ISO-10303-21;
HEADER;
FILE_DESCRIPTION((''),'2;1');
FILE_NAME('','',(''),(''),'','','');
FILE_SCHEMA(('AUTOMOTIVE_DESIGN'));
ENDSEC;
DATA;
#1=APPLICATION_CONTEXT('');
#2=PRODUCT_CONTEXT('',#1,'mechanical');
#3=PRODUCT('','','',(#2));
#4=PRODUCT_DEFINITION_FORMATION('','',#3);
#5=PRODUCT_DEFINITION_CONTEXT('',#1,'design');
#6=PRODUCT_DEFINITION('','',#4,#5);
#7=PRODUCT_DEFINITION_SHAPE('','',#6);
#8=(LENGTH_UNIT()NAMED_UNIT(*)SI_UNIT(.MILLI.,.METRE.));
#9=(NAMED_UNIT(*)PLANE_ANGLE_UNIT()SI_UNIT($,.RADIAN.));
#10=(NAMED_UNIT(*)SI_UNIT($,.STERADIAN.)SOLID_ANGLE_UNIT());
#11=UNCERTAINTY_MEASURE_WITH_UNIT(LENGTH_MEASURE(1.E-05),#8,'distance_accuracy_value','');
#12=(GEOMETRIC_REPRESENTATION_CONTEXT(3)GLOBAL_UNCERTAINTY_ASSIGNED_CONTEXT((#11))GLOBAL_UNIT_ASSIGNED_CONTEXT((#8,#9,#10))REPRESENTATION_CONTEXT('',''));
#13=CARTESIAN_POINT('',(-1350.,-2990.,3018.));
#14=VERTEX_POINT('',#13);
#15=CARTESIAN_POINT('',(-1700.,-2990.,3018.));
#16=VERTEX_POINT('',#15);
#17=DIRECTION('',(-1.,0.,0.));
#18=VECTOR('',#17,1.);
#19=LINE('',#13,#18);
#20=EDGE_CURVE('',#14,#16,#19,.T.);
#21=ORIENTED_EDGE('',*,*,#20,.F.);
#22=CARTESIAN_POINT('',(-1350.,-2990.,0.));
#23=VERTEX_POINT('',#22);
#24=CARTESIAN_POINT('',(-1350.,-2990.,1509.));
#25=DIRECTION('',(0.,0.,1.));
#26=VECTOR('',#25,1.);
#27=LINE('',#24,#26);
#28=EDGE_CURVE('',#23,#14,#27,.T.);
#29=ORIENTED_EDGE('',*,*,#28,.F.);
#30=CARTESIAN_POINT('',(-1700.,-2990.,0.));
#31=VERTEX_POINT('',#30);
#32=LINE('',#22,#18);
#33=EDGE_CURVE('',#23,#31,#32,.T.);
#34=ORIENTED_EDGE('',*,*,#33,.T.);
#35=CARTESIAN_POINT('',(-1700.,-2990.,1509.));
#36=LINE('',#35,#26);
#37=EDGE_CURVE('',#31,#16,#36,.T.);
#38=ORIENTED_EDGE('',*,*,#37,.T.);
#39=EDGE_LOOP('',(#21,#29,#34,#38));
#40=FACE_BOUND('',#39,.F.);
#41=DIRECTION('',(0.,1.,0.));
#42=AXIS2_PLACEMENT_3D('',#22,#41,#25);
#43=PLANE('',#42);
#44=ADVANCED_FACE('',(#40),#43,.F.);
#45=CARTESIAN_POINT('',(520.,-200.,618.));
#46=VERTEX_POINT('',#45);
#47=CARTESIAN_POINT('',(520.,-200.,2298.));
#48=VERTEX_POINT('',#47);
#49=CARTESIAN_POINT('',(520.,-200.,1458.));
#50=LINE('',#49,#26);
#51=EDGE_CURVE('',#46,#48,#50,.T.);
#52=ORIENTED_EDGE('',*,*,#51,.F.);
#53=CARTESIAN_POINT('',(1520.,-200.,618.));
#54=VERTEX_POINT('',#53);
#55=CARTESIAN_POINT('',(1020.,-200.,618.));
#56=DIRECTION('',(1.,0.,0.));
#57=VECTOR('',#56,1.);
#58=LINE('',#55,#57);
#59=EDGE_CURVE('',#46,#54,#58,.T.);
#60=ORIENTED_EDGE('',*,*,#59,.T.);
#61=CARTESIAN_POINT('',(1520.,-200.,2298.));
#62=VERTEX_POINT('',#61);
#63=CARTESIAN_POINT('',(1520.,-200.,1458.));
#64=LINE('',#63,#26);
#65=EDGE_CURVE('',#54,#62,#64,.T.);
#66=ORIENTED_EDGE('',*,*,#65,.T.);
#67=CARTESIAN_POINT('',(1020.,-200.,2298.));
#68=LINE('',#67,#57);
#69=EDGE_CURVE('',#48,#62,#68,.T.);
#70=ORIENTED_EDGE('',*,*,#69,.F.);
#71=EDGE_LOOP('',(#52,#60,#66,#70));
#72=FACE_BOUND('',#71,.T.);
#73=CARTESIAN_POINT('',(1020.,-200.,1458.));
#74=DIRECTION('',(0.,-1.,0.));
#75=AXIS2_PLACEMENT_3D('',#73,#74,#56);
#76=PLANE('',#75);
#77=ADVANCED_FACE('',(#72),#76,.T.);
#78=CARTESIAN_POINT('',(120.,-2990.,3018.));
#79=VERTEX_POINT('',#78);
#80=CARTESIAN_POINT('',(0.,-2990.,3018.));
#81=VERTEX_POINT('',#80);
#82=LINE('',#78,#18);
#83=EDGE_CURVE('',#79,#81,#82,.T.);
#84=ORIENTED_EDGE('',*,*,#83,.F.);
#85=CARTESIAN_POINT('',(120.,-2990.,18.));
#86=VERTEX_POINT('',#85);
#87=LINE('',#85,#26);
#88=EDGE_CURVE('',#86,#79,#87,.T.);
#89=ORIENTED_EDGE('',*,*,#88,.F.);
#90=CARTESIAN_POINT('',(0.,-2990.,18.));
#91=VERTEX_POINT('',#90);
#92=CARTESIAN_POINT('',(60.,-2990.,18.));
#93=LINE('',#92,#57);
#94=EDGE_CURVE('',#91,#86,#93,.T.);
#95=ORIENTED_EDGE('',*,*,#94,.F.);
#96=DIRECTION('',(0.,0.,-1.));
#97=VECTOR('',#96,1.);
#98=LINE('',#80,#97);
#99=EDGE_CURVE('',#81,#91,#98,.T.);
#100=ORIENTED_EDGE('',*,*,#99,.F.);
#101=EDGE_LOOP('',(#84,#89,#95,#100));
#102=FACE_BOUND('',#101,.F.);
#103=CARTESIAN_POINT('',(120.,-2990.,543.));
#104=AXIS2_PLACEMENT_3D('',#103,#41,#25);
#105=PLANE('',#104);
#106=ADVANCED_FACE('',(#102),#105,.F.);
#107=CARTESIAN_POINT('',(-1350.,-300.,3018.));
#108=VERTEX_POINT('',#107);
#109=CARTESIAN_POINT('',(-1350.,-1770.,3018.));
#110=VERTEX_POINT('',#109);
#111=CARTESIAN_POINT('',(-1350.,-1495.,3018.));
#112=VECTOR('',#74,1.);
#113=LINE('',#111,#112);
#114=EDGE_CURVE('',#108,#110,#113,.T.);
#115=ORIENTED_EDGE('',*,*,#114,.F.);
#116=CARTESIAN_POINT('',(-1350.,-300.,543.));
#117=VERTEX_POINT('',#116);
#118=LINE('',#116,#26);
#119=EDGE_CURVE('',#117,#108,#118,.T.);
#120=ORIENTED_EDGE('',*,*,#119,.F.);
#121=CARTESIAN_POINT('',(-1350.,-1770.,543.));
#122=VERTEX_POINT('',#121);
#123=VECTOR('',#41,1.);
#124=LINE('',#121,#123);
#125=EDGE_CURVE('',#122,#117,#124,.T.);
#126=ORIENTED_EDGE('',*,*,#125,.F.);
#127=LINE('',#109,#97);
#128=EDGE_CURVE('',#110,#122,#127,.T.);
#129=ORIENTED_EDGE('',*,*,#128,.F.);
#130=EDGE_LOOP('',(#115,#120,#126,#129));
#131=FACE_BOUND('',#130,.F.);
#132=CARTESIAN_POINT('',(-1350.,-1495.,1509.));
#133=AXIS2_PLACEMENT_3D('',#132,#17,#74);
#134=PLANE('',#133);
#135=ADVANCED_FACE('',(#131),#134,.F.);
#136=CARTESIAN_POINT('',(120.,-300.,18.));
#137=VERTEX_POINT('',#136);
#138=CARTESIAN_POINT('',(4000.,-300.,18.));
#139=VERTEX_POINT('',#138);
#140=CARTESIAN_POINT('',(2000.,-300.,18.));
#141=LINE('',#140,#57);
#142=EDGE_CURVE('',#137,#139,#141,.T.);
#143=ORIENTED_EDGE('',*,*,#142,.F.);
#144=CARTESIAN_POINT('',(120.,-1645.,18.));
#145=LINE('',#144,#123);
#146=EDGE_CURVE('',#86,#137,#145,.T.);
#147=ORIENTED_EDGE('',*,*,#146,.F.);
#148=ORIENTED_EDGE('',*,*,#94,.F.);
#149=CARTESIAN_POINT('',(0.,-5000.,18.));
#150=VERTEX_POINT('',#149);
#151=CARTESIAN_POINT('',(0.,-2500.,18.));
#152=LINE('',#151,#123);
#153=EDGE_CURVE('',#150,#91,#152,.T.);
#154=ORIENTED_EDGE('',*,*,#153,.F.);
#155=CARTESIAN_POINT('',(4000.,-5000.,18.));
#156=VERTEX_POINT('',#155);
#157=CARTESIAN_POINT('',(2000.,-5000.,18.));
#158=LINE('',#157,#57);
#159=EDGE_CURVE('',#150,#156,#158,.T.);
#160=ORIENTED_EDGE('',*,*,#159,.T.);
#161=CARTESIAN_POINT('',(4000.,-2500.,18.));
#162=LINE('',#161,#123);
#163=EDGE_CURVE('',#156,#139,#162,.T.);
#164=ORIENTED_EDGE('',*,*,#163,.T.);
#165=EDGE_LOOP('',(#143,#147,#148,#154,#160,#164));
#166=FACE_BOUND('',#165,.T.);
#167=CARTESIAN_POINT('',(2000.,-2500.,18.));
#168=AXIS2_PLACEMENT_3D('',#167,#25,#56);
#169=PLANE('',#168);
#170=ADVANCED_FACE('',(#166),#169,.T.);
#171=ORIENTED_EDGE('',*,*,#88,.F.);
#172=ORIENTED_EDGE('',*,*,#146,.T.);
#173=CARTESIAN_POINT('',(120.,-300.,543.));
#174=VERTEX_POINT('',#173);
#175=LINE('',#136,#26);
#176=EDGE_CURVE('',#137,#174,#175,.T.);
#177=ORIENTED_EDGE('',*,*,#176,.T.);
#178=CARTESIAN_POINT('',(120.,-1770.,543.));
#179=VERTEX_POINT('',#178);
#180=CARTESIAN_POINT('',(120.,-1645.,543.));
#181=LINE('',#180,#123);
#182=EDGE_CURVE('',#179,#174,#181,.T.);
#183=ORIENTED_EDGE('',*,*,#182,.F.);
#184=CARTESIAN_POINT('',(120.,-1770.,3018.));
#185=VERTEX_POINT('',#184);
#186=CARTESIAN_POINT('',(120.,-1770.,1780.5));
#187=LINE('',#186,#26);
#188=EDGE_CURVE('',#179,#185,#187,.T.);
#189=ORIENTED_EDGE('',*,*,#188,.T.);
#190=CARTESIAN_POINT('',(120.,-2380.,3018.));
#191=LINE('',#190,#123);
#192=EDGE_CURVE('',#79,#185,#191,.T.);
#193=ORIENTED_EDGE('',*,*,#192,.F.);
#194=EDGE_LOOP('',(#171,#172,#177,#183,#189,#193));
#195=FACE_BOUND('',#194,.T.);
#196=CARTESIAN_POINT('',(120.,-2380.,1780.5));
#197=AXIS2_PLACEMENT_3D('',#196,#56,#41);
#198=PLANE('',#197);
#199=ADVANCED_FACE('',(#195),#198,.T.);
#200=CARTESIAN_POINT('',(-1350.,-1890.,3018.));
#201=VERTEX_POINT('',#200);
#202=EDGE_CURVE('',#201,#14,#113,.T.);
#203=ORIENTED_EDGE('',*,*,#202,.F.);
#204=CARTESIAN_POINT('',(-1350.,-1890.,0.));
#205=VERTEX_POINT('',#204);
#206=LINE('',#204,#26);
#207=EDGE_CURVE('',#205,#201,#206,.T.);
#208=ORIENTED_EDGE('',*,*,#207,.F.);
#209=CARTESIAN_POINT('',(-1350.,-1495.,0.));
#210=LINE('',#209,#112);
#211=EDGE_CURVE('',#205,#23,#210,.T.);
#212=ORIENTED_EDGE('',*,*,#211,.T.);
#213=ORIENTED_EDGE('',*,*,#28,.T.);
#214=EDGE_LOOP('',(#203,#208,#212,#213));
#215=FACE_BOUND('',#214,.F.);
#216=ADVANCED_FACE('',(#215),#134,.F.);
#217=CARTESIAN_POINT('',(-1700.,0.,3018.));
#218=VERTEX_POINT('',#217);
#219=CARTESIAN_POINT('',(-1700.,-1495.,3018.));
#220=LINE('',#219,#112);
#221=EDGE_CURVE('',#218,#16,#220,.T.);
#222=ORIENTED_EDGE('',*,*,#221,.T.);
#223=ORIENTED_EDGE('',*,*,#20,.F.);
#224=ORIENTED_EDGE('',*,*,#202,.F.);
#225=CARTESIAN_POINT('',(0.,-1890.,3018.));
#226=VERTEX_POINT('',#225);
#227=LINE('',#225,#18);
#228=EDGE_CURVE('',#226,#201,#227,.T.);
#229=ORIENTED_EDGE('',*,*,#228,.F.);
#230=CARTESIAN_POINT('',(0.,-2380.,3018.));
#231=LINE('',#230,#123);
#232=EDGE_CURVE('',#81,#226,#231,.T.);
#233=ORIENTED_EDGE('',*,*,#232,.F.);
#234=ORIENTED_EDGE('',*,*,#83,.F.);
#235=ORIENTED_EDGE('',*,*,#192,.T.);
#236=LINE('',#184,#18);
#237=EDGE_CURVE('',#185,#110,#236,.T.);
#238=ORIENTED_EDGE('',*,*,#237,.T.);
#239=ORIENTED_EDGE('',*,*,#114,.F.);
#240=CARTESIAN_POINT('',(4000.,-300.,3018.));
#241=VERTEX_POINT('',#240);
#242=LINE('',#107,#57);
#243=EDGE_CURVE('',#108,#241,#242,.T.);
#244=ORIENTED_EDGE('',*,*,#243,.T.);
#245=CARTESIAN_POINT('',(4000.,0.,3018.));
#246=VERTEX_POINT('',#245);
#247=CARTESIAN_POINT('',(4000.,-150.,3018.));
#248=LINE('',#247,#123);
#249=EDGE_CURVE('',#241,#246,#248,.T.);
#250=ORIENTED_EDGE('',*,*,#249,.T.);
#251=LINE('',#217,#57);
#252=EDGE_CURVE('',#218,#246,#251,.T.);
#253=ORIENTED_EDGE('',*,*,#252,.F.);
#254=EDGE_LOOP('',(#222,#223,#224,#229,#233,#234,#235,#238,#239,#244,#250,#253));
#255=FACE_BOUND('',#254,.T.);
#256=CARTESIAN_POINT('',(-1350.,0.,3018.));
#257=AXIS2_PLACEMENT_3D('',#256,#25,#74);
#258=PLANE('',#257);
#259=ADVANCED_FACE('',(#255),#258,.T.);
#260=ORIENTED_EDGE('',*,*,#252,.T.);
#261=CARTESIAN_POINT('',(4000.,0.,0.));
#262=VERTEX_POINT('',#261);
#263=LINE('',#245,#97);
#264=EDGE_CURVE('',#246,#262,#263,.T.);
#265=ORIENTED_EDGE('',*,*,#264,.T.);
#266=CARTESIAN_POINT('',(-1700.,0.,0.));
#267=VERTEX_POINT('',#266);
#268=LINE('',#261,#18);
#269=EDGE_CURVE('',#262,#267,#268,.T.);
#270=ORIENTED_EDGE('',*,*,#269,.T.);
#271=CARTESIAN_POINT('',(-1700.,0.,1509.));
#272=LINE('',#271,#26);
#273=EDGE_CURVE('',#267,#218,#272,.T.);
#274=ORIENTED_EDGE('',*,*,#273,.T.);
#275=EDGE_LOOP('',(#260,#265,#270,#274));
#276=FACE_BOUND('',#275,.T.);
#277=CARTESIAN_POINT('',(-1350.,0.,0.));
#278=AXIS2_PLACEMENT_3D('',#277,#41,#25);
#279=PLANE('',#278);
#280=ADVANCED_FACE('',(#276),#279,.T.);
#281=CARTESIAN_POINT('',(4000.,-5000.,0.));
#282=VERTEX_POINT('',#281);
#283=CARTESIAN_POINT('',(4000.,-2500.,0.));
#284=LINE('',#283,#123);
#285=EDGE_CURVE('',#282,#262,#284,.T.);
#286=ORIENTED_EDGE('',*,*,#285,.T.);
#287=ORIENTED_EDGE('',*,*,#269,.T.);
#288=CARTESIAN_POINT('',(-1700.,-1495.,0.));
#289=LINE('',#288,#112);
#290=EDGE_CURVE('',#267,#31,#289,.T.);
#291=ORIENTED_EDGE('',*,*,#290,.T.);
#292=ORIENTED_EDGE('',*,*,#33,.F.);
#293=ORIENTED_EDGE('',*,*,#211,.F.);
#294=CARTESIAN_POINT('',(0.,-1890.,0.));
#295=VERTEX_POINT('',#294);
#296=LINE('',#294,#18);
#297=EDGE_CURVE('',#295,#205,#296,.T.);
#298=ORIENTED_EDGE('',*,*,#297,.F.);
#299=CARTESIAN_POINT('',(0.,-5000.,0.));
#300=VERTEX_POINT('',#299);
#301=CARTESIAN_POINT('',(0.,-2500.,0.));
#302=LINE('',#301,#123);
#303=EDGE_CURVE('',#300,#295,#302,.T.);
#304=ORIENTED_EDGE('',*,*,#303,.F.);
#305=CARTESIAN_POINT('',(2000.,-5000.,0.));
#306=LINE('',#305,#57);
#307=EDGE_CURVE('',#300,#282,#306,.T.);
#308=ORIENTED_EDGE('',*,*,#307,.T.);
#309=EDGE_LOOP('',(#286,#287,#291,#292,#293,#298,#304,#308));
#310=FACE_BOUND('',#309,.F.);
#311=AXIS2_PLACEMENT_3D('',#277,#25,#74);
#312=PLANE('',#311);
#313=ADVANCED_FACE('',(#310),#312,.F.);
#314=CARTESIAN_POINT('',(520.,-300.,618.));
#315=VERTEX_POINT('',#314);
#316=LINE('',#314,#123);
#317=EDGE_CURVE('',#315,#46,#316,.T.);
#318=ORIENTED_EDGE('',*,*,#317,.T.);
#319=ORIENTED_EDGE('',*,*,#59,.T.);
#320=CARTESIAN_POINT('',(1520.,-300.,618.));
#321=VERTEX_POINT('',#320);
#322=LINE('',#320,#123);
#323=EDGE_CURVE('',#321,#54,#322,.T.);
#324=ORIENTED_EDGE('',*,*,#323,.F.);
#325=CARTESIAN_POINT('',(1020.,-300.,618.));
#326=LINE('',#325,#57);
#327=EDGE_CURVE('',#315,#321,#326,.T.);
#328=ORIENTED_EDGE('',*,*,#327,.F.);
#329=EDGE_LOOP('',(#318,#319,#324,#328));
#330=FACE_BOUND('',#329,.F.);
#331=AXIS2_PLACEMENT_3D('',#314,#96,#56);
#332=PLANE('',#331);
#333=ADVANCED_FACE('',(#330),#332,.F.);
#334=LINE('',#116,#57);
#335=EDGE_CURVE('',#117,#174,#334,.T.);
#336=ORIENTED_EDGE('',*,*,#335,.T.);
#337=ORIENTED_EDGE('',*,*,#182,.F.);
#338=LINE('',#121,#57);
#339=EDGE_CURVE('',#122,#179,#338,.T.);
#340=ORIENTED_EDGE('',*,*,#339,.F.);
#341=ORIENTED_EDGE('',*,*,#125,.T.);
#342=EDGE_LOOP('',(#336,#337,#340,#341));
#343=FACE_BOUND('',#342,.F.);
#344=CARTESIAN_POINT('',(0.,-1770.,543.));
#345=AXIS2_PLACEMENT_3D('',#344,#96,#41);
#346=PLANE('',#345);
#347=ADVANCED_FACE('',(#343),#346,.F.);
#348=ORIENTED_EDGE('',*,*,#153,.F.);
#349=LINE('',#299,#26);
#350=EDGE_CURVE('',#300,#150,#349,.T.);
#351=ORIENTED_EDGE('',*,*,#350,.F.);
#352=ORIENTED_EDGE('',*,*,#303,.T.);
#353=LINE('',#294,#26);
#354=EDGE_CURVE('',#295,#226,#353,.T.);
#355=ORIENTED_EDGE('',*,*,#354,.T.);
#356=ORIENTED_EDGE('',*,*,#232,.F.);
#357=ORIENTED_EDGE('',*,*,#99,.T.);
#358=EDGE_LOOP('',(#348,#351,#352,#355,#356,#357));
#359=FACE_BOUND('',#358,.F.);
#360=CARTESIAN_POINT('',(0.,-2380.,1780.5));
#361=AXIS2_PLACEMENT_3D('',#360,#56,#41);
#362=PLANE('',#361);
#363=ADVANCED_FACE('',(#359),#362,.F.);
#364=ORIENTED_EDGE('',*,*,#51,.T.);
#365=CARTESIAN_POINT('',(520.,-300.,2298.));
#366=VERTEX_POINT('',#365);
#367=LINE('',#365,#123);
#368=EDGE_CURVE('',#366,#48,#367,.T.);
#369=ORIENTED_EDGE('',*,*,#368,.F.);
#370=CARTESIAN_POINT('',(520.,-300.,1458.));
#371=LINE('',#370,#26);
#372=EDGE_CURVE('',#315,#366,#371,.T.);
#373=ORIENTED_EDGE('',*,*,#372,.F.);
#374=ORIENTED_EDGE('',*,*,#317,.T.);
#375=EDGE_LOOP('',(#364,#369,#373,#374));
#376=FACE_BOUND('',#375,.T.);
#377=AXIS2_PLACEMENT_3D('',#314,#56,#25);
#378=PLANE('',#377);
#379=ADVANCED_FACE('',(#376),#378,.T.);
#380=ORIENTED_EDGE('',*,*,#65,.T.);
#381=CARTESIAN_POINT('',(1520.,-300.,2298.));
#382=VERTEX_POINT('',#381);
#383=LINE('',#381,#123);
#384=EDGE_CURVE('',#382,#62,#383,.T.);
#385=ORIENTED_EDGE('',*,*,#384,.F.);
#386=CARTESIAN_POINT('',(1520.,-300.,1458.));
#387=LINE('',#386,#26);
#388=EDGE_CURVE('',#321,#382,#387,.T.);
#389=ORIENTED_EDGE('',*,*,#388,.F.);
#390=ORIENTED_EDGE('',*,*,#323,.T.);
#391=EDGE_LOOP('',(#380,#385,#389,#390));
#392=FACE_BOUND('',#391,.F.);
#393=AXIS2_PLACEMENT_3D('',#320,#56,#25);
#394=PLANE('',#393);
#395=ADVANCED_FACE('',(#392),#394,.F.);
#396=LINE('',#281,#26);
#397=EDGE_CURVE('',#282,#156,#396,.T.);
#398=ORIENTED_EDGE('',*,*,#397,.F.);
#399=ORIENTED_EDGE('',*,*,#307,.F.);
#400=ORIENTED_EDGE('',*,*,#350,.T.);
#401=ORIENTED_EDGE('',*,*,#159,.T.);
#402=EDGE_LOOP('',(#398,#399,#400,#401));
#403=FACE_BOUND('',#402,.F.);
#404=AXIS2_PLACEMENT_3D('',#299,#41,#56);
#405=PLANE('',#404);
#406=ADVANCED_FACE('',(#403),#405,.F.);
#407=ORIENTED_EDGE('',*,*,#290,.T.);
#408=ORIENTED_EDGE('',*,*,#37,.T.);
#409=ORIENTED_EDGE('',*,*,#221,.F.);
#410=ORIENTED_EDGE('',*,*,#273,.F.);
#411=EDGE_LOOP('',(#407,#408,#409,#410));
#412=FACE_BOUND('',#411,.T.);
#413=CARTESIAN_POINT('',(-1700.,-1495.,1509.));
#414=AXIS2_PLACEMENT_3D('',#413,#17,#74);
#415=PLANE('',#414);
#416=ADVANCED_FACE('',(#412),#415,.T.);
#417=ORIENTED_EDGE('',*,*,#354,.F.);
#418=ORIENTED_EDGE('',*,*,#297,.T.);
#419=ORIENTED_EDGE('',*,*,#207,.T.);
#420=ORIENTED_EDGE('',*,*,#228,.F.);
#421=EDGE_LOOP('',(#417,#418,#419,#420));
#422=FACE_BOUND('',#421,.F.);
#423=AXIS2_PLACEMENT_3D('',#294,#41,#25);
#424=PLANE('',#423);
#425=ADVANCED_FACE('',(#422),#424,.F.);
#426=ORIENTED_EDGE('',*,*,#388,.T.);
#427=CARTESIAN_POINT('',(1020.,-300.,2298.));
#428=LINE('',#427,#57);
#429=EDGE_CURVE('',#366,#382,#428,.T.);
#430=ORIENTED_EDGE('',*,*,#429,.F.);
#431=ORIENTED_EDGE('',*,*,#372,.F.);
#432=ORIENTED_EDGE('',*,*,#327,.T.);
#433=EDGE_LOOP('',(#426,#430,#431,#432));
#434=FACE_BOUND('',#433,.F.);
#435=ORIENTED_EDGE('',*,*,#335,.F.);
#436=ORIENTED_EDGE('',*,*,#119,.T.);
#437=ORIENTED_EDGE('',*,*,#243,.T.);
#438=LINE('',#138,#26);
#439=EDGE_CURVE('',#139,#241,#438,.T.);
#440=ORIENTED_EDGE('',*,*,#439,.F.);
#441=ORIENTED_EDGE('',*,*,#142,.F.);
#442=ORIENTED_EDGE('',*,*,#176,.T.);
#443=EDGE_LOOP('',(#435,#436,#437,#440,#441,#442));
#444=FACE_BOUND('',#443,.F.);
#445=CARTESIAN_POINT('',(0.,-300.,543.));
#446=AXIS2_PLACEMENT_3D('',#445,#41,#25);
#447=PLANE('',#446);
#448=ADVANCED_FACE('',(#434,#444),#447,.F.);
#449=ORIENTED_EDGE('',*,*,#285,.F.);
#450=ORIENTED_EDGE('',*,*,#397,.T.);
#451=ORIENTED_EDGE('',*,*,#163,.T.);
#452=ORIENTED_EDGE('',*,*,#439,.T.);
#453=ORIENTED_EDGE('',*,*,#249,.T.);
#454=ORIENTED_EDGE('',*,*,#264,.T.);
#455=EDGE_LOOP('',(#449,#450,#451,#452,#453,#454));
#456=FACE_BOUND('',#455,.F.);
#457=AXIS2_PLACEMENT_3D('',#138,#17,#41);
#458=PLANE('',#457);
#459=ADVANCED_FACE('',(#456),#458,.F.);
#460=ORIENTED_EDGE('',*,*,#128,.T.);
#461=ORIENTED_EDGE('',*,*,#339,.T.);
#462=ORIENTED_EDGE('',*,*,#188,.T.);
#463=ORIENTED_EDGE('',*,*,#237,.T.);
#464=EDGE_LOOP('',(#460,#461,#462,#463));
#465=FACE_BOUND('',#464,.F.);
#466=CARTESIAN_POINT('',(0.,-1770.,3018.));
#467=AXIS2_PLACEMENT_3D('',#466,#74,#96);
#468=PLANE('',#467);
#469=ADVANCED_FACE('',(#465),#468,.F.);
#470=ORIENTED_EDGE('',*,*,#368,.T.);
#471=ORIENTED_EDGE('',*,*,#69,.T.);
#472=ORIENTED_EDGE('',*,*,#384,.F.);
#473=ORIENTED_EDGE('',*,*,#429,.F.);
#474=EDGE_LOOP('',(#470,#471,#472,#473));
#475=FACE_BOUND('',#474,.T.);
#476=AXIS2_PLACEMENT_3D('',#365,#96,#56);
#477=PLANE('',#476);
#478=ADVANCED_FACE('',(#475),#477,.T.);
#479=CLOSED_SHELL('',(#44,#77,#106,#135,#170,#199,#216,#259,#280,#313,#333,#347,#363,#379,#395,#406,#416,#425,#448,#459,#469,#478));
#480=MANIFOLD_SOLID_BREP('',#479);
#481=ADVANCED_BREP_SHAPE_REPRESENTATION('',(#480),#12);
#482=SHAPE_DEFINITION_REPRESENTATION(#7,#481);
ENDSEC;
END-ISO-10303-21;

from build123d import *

# Parameters (mm, degrees)
F0_W      = 4000
F0_H      = 5000
F1_DEPTH  = 18
F2_W      = 4000
F2_H      = 300
F3_DEPTH  = 3000
F4_W      = 120
F4_H      = 2690
F5_DEPTH  = 525
F6_W      = 1220
F6_H      = 2475
F7_DEPTH  = 120
F9_DEPTH  = 1350
F10_W     = 2990
F10_H     = 3018
F11_DEPTH = 350
F12_W     = 1000
F12_H     = 1680
F13_DEPTH = 100


with BuildPart() as f1:
    # F0 (on Top) → F1 (new body)
    with BuildSketch(Plane.XY):
        with Locations((2000, -2500)):
            Rectangle(F0_W, F0_H)
    extrude(amount=F1_DEPTH)

    # F2 (on face) → F3 (join)
    with BuildSketch(Plane.XY.offset(18)):
        with Locations((2000, -150)):
            Rectangle(F2_W, F2_H)
    extrude(amount=F3_DEPTH)

    # F4 (on face) → F5 (join)
    with BuildSketch(Plane.XY.offset(18)):
        with Locations((60, -1645)):
            Rectangle(F4_W, F4_H)
    extrude(amount=F5_DEPTH)

    # F6 (on face) → F7 (join, through all)
    with BuildSketch(Plane.YZ.offset(120)):
        with Locations((-2380, 1780.5)):
            Rectangle(F6_W, F6_H)
    extrude(amount=-F7_DEPTH)

    # F8 (on face) → F9 (join)
    with BuildSketch(Plane(origin=(0, 0, 0), x_dir=(0, -1, 0), z_dir=(-1, 0, 0))):
        Polygon((300, 3018), (0, 3018), (0, 0), (1890, 0), (1890, 3018), (1770, 3018), (1770, 543), (300, 543), align=None)
    extrude(amount=F9_DEPTH)

    # F10 (on face) → F11 (join)
    with BuildSketch(Plane(origin=(-1350, 0, 0), x_dir=(0, -1, 0), z_dir=(-1, 0, 0))):
        with Locations((1495, 1509)):
            Rectangle(F10_W, F10_H)
    extrude(amount=F11_DEPTH)

    # F12 (on face) → F13 (cut)
    with BuildSketch(Plane.XZ.offset(300)):
        with Locations((1020, 1458)):
            Rectangle(F12_W, F12_H)
    extrude(amount=-F13_DEPTH, mode=Mode.SUBTRACT)


solid = f1.part
